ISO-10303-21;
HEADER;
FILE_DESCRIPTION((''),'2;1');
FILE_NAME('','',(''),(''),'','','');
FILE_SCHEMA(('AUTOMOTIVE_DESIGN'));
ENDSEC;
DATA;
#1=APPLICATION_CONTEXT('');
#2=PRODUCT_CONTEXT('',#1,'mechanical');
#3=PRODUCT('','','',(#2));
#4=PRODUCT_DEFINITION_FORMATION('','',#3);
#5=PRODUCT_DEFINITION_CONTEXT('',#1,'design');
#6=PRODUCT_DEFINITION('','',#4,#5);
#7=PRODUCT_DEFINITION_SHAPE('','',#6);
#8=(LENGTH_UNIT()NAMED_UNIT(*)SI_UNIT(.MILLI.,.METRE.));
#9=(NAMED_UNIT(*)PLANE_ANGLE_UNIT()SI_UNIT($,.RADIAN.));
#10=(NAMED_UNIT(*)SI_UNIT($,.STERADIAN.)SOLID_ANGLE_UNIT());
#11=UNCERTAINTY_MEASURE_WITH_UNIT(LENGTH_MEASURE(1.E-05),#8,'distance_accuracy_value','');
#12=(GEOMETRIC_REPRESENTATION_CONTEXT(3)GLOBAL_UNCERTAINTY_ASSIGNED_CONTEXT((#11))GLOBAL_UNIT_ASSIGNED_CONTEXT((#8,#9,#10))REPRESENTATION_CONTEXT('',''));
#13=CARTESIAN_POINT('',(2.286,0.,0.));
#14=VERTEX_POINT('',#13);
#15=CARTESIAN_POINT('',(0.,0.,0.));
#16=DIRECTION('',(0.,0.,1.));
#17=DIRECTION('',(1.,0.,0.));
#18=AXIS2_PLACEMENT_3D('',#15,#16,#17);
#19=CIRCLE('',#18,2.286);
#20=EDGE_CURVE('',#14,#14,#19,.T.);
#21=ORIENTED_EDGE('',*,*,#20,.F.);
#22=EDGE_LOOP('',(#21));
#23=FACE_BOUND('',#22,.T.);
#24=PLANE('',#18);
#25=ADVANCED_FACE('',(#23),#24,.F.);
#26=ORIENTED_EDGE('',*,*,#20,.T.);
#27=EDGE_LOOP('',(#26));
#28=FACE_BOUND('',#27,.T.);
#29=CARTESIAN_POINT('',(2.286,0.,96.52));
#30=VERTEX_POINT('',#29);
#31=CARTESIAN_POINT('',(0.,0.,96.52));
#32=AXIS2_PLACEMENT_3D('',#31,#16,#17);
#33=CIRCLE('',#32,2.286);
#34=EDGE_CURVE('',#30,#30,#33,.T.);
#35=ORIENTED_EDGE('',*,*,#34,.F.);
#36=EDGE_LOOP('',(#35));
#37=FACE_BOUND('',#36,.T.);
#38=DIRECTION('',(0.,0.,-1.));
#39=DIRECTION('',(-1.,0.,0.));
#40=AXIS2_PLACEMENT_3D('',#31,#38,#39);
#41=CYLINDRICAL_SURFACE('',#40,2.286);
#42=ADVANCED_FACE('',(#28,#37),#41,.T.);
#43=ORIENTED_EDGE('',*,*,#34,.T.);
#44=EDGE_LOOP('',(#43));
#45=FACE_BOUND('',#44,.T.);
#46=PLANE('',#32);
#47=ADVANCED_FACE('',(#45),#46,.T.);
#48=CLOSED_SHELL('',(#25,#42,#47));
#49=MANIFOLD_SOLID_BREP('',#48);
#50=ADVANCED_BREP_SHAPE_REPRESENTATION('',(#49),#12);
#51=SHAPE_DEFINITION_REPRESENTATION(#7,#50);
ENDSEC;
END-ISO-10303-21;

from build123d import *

# Parameters (mm, degrees)
SKETCH1_R           = 2.286
BOSS_EXTRUDE1_DEPTH = 96.52


with BuildPart() as part:
    # Sketch1 → Boss-Extrude1 (new body)
    with BuildSketch(Plane.XY):
        Circle(SKETCH1_R)
    extrude(amount=BOSS_EXTRUDE1_DEPTH)


solid = part.part
